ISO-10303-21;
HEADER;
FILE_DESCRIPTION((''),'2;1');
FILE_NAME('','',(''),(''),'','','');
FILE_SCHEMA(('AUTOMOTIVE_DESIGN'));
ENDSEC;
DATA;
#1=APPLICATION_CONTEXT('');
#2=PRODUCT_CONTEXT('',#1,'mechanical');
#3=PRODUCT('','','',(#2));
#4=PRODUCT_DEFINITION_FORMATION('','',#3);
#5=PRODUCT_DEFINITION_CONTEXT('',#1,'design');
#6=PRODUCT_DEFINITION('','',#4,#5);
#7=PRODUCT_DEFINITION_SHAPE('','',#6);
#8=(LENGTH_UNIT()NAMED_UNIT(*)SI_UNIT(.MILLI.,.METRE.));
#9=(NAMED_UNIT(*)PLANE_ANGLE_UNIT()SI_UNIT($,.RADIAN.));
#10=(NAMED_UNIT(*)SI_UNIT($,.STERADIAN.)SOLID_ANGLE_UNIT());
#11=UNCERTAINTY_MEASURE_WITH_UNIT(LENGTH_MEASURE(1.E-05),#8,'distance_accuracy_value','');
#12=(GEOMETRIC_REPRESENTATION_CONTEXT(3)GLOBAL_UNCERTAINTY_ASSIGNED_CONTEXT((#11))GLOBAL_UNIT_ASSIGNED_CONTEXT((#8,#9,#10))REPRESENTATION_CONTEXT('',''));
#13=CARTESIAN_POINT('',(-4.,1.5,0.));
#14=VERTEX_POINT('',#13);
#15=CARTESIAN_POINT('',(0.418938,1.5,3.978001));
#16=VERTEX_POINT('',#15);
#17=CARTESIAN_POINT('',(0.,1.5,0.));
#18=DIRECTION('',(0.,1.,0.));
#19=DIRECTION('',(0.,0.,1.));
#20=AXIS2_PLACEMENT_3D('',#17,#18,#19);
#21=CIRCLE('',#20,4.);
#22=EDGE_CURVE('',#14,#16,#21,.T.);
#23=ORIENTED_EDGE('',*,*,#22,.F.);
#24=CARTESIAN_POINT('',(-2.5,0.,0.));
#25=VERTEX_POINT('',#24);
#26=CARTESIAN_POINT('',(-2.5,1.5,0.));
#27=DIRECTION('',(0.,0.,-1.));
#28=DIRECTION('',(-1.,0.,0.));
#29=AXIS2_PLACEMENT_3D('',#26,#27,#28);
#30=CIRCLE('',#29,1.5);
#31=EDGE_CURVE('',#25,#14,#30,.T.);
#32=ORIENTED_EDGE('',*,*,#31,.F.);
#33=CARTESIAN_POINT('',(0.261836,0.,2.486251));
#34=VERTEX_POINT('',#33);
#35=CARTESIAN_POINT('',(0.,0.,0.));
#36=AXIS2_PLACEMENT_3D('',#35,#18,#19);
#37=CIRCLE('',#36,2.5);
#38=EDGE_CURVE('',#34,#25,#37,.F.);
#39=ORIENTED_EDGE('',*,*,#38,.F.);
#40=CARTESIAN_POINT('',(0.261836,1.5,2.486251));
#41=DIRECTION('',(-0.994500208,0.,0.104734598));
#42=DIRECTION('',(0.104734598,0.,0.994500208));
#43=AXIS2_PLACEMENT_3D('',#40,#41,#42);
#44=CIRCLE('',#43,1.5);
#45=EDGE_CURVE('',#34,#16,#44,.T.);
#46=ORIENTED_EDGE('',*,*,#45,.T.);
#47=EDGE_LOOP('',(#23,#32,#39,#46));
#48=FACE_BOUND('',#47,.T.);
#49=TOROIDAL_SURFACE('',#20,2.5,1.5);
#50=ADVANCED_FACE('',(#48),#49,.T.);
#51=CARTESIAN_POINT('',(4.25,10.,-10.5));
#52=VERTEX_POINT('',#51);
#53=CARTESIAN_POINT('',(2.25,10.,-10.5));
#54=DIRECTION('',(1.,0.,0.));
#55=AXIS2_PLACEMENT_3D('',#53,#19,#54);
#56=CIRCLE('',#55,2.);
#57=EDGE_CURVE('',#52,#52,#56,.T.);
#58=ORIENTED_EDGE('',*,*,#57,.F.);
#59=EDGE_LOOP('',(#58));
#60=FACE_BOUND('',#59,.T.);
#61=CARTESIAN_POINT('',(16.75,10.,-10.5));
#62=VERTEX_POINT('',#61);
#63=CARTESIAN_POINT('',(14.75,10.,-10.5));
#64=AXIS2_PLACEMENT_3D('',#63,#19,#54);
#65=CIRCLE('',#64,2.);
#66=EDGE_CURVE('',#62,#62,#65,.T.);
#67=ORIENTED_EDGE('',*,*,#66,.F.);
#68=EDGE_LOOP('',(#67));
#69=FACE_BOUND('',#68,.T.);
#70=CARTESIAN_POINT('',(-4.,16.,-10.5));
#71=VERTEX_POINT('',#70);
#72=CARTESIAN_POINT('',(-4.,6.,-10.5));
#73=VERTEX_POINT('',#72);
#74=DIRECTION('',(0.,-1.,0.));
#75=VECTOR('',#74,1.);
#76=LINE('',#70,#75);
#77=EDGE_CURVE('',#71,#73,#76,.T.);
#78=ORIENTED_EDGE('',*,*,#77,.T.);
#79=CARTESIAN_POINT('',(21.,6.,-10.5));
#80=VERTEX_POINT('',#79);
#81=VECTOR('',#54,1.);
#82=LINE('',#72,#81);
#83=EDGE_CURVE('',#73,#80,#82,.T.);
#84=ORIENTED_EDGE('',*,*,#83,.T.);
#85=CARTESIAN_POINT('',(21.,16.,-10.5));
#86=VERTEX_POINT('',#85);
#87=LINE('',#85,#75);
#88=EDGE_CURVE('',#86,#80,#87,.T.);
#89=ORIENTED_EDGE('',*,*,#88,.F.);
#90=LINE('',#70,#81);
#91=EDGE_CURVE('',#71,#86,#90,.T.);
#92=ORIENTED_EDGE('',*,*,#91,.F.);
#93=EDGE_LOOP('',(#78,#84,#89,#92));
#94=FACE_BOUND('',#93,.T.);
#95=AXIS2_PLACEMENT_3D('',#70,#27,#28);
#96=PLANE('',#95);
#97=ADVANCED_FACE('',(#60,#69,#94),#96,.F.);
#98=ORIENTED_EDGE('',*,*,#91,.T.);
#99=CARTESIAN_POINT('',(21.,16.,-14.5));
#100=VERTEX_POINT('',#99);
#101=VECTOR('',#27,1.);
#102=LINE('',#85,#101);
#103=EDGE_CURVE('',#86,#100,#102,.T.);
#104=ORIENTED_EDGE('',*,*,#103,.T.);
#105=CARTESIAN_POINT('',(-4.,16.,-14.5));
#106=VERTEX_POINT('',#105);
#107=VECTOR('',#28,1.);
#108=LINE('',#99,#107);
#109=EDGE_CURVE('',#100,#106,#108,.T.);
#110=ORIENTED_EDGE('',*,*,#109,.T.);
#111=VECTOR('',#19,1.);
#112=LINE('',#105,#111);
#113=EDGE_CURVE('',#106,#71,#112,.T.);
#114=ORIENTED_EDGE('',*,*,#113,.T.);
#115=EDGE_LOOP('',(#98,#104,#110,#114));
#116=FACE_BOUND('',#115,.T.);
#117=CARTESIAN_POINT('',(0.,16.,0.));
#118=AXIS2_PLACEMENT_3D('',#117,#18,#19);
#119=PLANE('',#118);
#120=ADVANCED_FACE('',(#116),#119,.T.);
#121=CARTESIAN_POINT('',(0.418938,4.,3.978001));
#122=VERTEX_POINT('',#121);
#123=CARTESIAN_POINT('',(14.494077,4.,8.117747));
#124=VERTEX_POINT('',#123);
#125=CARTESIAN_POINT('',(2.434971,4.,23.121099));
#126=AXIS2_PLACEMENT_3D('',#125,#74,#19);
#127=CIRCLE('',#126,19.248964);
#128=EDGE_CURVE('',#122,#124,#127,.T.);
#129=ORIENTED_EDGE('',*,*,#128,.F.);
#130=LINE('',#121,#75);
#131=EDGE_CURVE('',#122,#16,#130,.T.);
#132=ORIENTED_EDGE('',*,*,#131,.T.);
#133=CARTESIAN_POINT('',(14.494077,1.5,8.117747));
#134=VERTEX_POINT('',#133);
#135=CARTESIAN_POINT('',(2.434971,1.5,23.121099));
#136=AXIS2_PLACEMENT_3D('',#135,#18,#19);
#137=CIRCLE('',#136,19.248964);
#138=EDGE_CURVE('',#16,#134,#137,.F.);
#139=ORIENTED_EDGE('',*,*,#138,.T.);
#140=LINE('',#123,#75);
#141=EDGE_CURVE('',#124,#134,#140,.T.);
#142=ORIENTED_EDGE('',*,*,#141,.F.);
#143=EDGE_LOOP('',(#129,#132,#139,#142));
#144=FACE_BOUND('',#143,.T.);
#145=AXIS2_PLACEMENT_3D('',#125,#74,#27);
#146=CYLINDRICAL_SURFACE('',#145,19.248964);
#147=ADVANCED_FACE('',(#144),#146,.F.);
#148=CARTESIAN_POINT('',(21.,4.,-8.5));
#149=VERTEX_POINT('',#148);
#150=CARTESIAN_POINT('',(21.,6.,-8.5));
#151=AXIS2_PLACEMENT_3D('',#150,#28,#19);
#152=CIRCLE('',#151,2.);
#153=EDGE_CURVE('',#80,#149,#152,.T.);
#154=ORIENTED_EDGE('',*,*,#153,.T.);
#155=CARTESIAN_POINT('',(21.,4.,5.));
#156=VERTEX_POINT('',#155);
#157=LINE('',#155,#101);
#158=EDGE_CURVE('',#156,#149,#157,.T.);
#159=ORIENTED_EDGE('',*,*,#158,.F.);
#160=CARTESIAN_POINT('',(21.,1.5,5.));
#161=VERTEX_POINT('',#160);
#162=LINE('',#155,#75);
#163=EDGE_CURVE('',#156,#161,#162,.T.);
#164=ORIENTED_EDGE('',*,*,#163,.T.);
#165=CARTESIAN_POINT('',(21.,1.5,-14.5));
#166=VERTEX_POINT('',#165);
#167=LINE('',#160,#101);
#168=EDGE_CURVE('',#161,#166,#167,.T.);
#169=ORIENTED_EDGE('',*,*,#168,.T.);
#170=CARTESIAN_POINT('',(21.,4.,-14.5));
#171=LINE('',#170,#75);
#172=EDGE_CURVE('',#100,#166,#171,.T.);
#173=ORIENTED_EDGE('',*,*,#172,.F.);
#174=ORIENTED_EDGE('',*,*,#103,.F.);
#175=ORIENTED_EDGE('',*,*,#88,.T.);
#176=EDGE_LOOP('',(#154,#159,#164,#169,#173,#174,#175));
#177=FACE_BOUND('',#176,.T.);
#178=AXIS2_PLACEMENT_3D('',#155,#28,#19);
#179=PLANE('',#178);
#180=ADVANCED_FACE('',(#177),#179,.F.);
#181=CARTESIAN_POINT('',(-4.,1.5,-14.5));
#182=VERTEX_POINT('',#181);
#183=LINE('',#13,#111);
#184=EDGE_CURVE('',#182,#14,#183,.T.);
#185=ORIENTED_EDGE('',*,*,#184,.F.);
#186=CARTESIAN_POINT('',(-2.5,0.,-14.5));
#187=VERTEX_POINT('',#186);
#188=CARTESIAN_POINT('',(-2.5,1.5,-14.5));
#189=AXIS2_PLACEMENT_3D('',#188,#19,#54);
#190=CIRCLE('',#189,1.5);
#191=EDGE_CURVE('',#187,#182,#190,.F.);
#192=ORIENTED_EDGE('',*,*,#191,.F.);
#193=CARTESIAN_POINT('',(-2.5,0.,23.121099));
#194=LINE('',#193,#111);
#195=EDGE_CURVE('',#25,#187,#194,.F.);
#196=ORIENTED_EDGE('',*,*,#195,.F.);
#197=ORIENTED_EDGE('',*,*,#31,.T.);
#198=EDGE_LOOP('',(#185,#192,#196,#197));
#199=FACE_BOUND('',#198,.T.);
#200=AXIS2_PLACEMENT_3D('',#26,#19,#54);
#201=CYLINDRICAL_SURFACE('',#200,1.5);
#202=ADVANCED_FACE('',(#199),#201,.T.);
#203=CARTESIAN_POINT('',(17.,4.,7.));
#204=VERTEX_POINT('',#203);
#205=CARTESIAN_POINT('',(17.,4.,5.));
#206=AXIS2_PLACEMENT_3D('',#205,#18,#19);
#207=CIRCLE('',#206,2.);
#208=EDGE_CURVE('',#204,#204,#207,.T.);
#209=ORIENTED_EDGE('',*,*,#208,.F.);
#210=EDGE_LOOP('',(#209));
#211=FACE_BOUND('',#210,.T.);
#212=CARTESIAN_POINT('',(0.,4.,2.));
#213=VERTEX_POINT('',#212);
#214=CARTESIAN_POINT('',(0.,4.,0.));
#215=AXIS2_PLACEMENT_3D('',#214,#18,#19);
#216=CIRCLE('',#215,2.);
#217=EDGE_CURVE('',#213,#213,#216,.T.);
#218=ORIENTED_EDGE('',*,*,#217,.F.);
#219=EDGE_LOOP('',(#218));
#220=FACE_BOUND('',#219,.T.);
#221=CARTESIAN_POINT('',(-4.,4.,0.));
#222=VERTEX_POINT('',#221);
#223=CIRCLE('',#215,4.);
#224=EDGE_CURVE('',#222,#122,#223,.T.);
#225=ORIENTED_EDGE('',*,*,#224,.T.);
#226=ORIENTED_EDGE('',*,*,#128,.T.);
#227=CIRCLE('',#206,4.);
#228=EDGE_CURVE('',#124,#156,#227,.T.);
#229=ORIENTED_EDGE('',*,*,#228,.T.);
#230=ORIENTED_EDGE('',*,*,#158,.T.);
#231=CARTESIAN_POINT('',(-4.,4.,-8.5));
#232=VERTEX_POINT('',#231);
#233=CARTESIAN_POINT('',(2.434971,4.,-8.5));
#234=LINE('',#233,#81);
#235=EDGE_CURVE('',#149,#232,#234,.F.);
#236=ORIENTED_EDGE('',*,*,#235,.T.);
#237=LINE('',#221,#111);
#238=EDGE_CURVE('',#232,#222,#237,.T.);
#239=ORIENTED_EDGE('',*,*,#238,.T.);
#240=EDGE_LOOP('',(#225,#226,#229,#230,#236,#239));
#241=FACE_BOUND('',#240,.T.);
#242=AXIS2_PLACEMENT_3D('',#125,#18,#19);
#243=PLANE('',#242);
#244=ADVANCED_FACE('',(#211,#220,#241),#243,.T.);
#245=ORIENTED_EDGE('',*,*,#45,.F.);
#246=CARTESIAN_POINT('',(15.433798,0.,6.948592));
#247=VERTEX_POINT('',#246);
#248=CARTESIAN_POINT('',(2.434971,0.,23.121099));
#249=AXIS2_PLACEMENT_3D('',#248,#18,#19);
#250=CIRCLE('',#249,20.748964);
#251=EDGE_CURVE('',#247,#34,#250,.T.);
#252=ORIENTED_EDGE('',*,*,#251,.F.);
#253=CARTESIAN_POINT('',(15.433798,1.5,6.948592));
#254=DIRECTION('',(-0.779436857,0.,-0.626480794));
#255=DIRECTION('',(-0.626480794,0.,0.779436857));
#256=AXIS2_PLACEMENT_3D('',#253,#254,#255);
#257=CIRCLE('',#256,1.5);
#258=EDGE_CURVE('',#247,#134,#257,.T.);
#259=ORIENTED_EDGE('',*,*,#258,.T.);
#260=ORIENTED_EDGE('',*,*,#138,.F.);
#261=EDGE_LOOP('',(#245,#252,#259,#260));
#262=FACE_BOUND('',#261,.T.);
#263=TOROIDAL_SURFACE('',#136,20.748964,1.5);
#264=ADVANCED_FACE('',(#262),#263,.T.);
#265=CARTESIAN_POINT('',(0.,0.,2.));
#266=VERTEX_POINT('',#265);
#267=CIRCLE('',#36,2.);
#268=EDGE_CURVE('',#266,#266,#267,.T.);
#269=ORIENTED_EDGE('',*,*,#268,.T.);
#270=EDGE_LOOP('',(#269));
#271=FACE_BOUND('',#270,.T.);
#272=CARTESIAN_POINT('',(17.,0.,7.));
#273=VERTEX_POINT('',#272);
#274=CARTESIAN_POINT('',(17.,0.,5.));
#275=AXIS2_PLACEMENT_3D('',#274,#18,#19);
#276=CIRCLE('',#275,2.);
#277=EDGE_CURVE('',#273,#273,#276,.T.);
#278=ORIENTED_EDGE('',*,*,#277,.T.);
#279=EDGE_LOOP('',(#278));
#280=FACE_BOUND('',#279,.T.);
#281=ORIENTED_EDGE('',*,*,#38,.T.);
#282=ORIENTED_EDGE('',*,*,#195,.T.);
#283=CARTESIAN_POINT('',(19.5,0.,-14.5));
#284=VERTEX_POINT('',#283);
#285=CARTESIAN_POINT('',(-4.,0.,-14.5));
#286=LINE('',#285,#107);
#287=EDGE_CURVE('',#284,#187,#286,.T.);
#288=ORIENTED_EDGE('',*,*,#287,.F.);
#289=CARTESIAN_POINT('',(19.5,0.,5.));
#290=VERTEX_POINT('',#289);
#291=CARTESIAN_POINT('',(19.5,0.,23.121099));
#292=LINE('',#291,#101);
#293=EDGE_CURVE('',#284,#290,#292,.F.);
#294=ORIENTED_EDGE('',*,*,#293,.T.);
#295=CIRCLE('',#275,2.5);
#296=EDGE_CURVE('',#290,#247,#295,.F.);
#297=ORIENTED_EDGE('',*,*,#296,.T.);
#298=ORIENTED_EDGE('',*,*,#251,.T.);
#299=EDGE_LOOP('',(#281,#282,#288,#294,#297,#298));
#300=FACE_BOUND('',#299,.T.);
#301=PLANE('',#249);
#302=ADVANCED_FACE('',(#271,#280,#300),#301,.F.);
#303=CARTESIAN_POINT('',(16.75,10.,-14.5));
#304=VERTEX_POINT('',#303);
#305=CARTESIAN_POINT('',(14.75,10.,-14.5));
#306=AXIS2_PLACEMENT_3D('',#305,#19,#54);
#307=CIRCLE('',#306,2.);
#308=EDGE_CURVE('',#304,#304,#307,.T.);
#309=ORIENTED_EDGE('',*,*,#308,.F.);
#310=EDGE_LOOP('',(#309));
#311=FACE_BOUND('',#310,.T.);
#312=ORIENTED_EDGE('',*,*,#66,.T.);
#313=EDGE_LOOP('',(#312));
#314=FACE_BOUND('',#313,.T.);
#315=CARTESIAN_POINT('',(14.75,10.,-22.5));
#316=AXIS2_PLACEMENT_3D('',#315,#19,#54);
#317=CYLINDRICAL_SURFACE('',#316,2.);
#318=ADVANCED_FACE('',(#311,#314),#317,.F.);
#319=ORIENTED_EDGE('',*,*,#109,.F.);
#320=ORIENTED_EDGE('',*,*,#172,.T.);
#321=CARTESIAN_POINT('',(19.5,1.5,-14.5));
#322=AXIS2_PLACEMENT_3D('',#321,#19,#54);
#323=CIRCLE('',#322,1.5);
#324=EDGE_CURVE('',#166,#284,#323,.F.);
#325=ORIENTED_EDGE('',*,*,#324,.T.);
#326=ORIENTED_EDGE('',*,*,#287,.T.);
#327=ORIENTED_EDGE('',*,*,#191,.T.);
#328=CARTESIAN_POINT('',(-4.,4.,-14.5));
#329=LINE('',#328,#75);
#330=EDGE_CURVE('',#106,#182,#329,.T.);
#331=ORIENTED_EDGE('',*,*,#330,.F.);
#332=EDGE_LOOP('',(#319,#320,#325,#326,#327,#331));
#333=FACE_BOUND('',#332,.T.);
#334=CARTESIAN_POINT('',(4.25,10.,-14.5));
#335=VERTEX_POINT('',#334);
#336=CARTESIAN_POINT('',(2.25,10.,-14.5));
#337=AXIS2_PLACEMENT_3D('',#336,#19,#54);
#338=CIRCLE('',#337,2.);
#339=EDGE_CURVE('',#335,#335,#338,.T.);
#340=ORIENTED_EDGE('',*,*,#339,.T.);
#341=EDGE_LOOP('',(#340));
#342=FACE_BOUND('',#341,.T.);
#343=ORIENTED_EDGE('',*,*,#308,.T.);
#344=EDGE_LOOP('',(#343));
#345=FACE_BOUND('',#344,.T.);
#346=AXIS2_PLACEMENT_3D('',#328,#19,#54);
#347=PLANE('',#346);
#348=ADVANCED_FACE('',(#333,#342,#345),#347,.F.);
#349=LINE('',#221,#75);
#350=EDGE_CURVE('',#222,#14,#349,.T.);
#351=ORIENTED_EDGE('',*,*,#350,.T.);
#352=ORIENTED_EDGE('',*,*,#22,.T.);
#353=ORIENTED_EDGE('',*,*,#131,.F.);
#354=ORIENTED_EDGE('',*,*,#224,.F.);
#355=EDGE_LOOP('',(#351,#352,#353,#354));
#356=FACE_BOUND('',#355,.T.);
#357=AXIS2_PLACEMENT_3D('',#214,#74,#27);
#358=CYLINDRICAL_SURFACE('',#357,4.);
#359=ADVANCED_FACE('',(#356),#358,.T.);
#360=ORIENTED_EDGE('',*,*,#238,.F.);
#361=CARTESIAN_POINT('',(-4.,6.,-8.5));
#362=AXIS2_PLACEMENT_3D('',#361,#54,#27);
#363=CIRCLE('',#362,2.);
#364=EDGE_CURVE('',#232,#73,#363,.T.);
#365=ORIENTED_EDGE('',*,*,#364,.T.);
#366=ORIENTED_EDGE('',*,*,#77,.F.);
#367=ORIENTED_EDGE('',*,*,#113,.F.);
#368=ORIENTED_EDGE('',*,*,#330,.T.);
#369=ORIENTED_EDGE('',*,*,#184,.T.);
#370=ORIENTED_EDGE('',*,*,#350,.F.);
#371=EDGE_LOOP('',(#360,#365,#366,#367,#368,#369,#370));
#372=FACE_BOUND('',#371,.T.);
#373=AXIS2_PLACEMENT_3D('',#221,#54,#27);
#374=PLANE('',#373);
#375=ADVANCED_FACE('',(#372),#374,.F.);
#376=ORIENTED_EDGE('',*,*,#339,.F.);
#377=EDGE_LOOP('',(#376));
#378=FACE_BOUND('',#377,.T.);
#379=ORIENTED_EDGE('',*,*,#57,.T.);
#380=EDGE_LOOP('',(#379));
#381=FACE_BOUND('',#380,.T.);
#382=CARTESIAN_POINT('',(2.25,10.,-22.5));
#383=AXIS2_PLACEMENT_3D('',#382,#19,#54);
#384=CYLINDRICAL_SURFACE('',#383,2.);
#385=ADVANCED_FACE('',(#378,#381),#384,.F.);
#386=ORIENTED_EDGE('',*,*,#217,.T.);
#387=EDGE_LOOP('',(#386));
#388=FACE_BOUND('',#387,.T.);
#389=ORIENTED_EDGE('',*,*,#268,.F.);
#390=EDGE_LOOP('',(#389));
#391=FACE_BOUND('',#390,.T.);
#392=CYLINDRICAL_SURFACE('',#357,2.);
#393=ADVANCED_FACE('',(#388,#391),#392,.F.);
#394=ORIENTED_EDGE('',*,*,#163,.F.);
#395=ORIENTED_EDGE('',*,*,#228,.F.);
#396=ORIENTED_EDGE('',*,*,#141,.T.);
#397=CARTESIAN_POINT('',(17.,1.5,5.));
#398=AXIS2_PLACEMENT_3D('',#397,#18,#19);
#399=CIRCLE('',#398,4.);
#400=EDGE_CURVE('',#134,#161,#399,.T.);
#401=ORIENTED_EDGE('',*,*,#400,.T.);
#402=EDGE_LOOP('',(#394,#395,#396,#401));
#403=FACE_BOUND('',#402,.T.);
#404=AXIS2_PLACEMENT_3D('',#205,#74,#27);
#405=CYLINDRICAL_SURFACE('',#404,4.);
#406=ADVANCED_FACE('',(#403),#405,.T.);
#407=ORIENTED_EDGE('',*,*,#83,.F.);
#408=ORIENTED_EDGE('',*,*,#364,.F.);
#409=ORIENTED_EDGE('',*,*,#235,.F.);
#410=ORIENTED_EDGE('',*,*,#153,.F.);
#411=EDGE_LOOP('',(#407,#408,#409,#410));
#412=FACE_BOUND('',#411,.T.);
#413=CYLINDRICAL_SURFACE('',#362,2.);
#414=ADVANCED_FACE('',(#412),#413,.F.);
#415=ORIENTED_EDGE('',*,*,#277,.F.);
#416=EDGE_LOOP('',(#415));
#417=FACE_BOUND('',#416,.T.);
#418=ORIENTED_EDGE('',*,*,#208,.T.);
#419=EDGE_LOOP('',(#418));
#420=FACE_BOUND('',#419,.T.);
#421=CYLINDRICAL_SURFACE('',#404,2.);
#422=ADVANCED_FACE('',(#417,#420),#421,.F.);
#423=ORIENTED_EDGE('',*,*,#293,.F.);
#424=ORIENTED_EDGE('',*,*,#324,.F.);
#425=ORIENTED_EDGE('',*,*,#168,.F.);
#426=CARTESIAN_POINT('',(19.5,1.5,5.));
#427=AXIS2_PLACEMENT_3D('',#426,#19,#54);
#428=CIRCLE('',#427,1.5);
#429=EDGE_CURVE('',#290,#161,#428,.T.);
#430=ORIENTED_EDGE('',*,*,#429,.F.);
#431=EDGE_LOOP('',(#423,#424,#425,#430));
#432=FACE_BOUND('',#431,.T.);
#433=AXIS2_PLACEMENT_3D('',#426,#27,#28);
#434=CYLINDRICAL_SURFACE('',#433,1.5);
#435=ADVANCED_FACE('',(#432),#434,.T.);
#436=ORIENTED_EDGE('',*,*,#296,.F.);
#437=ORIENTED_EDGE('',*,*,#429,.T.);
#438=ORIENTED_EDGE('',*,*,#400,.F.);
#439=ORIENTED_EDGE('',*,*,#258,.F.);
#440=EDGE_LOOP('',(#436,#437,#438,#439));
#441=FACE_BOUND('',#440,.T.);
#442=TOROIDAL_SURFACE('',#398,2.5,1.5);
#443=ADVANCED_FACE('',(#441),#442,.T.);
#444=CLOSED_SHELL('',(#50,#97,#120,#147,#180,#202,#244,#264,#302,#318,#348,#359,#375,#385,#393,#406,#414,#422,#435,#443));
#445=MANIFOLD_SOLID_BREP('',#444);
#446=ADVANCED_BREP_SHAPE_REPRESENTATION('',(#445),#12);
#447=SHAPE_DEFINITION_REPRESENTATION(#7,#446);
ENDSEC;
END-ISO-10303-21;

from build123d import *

# Parameters (mm, degrees)
SKETCH1_R           = 2
BOSS_EXTRUDE1_DEPTH = 4
SKETCH2_W           = 25
SKETCH2_H           = 4
BOSS_EXTRUDE2_DEPTH = 12
SKETCH3_R           = 2
CUT_EXTRUDE1_DEPTH  = 12
FILLET1_R           = 2
FILLET2_R           = 1.5


with BuildPart() as part:
    # Sketch1 → Boss-Extrude1 (new body)
    with BuildSketch(Plane(origin=(0, 0, 0), x_dir=(1, 0, 0), z_dir=(0, 1, 0))):
        with BuildLine():
            Line((-4, 14.5), (21, 14.5))
            Line((21, 14.5), (21, -5))
            ThreePointArc((21, -5), (18.728627677, -8.607193695), (14.494076823, -8.117747429))
            ThreePointArc((14.494076823, -8.117747429), (7.866380142, -4.654307517), (0.418938394, -3.978000832))
            ThreePointArc((0.418938394, -3.978000832), (-2.676214343, -2.972856671), (-4, 0))
            Line((-4, 0), (-4, 14.5))
        make_face()
        with Locations(Location((0, 0, 0), (0, 0, 270))):
            Circle(SKETCH1_R, mode=Mode.SUBTRACT)
        with Locations(Location((17, -5, 0), (0, 0, 270))):
            Circle(SKETCH1_R, mode=Mode.SUBTRACT)
    extrude(amount=BOSS_EXTRUDE1_DEPTH)

    # Sketch2 → Boss-Extrude2 (add)
    with BuildSketch(Plane(origin=(0, 4, 0), x_dir=(1, 0, 0), z_dir=(0, 1, 0))):
        with Locations((8.5, 12.5)):
            Rectangle(SKETCH2_W, SKETCH2_H)
    extrude(amount=BOSS_EXTRUDE2_DEPTH)

    # Sketch3 → Cut-Extrude1 (cut)
    with BuildSketch(Plane.XY.offset(-10.5)):
        with Locations((2.25, 10)):
            Circle(SKETCH3_R)
        with Locations((14.75, 10)):
            Circle(SKETCH3_R)
    extrude(amount=-CUT_EXTRUDE1_DEPTH, mode=Mode.SUBTRACT)

    # Fillet1
    fillet1_edges = [part.edges().sort_by_distance(p)[0] for p in [
        (8.5, 4, -10.5),
    ]]
    fillet(fillet1_edges, radius=FILLET1_R)

    # Fillet2
    fillet2_edges = [part.edges().sort_by_distance(p)[0] for p in [
        (-2.676214343, 0, 2.972856671),
        (-4, 0, -7.25),
        (21, 0, -4.75),
        (18.728627677, 0, 8.607193695),
        (7.866380142, 0, 4.654307517),
    ]]
    fillet(fillet2_edges, radius=FILLET2_R)


solid = part.part
